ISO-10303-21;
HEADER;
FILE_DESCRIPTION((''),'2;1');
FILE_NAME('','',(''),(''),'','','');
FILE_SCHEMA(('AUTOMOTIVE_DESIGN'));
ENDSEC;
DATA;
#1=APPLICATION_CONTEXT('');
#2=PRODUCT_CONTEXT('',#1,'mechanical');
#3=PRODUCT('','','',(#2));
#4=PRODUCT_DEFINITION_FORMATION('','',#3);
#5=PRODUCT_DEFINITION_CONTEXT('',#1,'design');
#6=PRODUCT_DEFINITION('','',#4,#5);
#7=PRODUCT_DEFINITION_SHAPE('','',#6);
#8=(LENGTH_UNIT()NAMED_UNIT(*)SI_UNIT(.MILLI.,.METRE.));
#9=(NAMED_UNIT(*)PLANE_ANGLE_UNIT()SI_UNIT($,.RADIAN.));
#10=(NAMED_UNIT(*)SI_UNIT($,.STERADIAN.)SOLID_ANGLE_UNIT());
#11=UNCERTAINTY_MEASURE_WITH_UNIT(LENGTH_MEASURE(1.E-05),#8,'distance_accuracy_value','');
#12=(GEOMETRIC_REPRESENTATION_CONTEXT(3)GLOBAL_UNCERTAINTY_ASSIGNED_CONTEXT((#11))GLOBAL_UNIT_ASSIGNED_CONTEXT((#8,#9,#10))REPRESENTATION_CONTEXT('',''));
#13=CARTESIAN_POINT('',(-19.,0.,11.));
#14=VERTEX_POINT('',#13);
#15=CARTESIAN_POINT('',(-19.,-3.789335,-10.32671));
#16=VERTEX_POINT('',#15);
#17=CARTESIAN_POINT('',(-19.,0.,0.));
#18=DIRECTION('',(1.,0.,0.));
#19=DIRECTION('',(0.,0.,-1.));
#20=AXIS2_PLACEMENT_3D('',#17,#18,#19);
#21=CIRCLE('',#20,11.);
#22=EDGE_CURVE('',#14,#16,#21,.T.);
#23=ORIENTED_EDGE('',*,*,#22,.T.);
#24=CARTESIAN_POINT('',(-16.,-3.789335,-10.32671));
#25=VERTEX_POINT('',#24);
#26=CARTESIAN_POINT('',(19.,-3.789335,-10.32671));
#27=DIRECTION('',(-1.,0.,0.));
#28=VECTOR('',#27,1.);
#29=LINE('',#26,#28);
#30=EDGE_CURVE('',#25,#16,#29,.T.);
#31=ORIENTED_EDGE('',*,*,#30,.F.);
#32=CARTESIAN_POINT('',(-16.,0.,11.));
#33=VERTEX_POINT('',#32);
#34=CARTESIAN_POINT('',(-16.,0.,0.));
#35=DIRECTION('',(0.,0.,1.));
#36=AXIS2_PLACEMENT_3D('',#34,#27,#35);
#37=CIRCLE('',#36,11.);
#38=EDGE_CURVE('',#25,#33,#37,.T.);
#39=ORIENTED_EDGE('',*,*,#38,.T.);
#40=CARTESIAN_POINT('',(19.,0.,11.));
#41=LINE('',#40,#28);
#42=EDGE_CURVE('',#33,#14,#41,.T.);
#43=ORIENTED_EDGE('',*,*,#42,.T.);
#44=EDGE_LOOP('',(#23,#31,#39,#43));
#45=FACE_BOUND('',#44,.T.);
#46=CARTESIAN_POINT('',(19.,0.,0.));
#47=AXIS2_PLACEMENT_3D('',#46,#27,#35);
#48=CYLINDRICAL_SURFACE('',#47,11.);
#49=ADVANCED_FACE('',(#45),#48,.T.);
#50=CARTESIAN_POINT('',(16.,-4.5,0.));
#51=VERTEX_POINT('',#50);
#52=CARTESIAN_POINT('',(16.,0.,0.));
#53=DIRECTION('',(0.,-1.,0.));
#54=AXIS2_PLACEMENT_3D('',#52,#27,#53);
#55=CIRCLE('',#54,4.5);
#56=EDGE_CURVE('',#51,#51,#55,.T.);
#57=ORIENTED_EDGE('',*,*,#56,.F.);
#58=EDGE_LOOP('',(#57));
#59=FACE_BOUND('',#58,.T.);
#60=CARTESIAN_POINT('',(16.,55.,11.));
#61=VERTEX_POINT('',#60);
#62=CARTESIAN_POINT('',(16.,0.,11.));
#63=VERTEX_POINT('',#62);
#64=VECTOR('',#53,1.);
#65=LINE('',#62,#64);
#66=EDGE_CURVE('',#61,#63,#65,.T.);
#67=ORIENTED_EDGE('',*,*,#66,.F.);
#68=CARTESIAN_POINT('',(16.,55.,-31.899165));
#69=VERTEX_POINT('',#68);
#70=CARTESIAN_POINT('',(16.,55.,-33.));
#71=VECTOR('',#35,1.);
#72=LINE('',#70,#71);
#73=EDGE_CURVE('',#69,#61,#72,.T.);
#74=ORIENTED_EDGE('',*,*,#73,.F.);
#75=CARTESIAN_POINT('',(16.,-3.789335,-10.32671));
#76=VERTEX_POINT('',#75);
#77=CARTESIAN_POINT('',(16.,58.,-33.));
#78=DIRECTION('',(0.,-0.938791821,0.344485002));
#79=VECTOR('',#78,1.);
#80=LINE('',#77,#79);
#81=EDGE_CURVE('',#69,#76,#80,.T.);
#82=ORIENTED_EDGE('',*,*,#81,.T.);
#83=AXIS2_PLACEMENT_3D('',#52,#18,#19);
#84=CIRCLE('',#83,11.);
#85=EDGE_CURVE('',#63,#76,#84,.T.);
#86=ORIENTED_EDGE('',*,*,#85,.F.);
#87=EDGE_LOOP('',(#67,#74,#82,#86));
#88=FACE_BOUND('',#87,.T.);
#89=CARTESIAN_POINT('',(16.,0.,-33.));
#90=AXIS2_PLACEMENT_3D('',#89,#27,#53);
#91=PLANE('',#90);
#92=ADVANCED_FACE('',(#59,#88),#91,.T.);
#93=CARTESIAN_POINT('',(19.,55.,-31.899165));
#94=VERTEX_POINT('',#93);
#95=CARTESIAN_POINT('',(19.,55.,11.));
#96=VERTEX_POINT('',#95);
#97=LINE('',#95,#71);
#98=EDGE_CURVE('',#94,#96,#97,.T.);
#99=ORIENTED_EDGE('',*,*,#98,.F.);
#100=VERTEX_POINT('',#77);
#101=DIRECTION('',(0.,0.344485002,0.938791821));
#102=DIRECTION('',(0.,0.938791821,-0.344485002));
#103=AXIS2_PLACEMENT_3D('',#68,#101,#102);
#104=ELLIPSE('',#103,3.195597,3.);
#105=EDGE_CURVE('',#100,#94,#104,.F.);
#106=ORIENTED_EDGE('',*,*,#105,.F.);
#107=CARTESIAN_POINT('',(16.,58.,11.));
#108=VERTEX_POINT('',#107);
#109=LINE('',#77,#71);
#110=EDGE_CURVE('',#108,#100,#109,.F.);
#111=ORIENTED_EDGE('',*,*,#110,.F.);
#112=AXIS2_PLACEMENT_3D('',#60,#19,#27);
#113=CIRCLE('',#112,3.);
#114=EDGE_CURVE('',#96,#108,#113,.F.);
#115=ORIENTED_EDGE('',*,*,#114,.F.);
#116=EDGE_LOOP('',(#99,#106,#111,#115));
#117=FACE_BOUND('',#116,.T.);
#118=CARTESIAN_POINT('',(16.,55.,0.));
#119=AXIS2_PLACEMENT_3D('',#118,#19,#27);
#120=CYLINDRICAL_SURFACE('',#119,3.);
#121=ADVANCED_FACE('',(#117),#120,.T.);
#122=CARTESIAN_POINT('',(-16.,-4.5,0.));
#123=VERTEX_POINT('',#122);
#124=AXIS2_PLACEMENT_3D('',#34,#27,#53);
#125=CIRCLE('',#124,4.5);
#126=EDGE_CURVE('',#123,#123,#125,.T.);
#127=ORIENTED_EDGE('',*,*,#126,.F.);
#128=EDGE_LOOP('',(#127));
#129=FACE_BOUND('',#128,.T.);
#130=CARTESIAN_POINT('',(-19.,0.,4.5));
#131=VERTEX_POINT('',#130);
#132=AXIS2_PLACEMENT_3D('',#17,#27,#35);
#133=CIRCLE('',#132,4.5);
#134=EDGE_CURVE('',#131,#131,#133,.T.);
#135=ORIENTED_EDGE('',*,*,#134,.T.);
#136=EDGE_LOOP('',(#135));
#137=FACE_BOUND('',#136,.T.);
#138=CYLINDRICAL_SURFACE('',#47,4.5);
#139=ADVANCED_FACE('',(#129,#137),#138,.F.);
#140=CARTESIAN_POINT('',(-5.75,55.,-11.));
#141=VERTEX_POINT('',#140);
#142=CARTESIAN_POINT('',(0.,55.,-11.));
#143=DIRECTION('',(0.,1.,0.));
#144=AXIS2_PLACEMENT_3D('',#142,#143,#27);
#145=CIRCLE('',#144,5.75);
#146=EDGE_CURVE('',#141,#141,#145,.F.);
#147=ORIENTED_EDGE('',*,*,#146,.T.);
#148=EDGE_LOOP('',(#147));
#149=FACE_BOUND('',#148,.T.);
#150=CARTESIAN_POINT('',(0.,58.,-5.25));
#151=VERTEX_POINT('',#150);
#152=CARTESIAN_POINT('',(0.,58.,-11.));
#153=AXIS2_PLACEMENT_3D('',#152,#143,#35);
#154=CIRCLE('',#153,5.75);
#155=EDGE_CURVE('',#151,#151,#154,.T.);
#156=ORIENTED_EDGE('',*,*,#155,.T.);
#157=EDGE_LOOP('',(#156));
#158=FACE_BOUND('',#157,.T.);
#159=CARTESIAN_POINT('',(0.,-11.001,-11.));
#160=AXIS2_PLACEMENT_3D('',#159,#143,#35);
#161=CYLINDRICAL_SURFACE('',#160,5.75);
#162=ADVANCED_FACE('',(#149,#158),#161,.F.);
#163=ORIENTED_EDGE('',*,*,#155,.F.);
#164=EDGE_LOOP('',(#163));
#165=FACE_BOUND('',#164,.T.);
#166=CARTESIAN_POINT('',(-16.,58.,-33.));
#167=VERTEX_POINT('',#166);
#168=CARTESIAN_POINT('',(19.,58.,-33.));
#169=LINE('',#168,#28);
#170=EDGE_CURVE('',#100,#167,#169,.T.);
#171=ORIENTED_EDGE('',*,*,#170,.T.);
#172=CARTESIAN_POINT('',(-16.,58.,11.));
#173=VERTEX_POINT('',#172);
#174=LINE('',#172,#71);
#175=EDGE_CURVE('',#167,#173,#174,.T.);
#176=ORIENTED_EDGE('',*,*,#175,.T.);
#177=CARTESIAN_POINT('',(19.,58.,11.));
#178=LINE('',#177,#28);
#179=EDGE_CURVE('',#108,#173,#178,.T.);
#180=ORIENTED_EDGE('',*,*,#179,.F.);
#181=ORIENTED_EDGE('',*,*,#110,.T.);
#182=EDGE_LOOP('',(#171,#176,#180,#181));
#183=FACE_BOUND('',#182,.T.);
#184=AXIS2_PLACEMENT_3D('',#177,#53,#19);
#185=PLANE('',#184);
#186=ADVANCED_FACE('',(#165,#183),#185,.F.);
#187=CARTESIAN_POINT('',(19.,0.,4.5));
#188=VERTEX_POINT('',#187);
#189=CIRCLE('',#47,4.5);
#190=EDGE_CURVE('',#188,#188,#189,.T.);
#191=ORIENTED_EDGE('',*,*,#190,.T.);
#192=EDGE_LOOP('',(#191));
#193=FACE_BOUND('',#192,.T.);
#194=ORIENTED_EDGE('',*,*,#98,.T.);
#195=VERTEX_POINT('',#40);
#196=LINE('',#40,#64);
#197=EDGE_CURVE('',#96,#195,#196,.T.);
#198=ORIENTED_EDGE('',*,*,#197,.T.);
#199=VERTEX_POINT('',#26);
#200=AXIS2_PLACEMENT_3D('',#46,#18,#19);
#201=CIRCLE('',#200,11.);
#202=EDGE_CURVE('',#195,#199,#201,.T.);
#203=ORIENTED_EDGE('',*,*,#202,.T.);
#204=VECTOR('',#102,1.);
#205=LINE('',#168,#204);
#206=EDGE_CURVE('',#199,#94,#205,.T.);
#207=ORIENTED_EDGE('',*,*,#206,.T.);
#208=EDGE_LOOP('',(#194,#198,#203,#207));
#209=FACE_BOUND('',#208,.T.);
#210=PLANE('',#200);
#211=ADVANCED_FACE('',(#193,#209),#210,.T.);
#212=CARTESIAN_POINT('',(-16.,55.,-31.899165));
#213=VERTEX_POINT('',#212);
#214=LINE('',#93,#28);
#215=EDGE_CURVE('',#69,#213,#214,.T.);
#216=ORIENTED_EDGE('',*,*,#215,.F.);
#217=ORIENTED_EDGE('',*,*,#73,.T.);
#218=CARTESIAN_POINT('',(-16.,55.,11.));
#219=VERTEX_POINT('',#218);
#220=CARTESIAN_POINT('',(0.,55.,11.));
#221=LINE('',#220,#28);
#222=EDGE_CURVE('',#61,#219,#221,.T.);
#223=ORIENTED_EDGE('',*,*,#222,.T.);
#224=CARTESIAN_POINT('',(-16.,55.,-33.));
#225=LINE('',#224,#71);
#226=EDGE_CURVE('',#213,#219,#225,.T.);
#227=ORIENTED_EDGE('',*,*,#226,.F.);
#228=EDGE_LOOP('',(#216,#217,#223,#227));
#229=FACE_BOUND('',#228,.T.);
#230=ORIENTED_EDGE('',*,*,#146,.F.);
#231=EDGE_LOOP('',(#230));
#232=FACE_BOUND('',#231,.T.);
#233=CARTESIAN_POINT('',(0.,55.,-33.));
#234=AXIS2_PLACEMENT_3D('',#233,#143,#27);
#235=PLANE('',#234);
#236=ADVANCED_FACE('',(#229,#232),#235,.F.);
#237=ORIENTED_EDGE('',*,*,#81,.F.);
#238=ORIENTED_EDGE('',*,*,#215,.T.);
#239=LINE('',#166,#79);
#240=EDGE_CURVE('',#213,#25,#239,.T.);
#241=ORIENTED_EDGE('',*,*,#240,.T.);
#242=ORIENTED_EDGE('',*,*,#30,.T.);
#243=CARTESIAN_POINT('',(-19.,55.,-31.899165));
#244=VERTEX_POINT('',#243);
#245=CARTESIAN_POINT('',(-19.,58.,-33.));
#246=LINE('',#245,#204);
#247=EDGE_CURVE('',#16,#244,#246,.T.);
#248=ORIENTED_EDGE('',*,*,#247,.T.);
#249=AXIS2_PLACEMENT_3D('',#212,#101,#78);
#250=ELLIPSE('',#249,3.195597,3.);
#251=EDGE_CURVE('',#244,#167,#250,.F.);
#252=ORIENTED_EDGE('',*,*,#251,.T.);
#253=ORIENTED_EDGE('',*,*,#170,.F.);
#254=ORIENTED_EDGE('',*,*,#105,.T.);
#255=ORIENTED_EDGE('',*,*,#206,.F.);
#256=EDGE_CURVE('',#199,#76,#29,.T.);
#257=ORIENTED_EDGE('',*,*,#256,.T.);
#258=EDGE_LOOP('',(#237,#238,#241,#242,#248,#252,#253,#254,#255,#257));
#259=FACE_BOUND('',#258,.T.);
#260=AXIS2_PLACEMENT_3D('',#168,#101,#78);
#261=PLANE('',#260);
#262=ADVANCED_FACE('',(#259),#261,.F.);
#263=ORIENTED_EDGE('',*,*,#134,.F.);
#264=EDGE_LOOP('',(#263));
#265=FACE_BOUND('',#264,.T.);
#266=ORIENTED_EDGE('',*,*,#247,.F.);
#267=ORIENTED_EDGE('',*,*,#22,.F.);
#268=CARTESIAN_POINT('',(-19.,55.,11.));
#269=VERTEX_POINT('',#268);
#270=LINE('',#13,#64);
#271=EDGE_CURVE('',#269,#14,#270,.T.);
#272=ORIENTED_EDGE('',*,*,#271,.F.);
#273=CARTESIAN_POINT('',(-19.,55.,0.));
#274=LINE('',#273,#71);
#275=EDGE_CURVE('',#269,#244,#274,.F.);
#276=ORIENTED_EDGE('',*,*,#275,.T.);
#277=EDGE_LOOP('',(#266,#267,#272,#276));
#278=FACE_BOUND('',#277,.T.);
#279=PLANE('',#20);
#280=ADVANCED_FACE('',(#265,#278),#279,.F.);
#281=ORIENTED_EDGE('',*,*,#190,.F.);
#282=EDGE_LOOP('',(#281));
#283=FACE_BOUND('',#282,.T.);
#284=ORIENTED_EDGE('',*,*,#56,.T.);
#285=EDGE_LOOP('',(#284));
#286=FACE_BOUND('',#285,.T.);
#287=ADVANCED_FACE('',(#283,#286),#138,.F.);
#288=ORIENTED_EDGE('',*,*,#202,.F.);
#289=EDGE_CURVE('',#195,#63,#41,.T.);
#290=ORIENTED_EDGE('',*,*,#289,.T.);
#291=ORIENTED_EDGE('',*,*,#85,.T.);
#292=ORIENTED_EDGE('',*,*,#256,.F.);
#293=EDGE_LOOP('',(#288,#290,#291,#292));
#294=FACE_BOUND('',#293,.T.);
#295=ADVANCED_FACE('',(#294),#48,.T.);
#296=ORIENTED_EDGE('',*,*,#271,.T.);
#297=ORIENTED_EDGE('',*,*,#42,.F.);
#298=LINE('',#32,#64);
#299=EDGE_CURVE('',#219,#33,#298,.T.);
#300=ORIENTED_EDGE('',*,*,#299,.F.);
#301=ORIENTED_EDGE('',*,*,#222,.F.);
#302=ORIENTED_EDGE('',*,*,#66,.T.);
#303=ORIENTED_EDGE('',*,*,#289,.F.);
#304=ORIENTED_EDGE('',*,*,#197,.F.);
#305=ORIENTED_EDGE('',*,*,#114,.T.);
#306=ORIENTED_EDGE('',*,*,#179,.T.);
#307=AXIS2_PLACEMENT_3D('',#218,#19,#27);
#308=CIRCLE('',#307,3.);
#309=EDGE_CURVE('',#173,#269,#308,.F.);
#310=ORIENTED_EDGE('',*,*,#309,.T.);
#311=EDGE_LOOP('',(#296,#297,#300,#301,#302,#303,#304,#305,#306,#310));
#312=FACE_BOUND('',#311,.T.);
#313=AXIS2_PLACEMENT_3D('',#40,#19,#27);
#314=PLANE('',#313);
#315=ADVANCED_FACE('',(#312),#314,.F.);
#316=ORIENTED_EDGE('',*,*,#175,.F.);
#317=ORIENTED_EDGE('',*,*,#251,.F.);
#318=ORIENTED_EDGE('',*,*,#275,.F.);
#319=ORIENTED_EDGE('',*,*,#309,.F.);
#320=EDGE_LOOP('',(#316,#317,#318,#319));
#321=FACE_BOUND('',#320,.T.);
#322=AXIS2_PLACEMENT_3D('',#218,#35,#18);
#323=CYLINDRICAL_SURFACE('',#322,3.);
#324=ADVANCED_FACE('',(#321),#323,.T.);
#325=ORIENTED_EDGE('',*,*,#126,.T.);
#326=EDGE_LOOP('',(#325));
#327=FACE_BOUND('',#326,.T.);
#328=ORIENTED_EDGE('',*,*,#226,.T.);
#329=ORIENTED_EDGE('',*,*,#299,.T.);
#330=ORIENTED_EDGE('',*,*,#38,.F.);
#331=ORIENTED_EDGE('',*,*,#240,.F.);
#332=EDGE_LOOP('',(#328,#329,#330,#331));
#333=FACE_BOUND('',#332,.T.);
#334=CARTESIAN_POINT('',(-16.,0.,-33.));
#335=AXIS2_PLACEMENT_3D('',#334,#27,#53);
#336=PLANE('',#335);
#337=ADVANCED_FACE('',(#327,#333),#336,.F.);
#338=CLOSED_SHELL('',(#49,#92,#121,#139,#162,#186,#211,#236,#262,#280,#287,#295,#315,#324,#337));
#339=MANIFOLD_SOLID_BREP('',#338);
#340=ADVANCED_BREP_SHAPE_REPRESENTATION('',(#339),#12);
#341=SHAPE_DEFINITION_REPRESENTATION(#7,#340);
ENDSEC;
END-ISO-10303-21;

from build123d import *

# Parameters (mm, degrees)
BOSS_EXTRUDE1_DEPTH = 19
SKETCH2_W           = 32
SKETCH2_H           = 55
CUT_EXTRUDE1_DEPTH  = 45
SKETCH3_W           = 32
SKETCH3_H           = 22.717187721
CUT_EXTRUDE2_DEPTH  = 12
SKETCH4_R           = 4.5
CUT_EXTRUDE3_DEPTH  = 39
CUT_EXTRUDE4_REACH  = 71
SKETCH5_R           = 5.75
FILLET1_R           = 3


with BuildPart() as part:
    # Sketch1 → Boss-Extrude1 (new body, symmetric)
    with BuildSketch(Plane(origin=(0, 0, 0), x_dir=(0, 0, -1), z_dir=(1, 0, 0))):
        with BuildLine():
            Line((-11, 0), (-11, 58))
            Line((-11, 58), (33, 58))
            Line((33, 58), (10.326710033, -3.789335019))
            ThreePointArc((10.326710033, -3.789335019), (-1.924342697, -10.830369577), (-11, 0))
        make_face()
    extrude(amount=BOSS_EXTRUDE1_DEPTH, both=True)

    # Sketch2 → Cut-Extrude1 (cut, through all)
    with BuildSketch(Plane.XY.offset(11)):
        with Locations((0, 27.5)):
            Rectangle(SKETCH2_W, SKETCH2_H)
    extrude(amount=-CUT_EXTRUDE1_DEPTH, mode=Mode.SUBTRACT)

    # Sketch3 → Cut-Extrude2 (cut, through all)
    with BuildSketch(Plane(origin=(0, 0, 0), x_dir=(1, 0, 0), z_dir=(0, 1, 0))):
        with Locations((0, 0.358593861)):
            Rectangle(SKETCH3_W, SKETCH3_H)
    extrude(amount=-CUT_EXTRUDE2_DEPTH, mode=Mode.SUBTRACT)

    # Sketch4 → Cut-Extrude3 (cut, through all)
    with BuildSketch(Plane.ZY.offset(19)):
        Circle(SKETCH4_R)
    extrude(amount=-CUT_EXTRUDE3_DEPTH, mode=Mode.SUBTRACT)

    # Sketch5 → Cut-Extrude4 (cut, up to next)
    with BuildSketch(Plane(origin=(0, 58, 0), x_dir=(1, 0, 0), z_dir=(0, 1, 0)), mode=Mode.PRIVATE) as cut_extrude4_sk1:
        with Locations((0, 11)):
            Circle(SKETCH5_R)
    cut_extrude4_tool1 = extrude(cut_extrude4_sk1.sketch, amount=-CUT_EXTRUDE4_REACH, mode=Mode.PRIVATE) & part.part
    add(cut_extrude4_tool1.solids().sort_by_distance((0, 58, -11))[0], mode=Mode.SUBTRACT)

    # Fillet1
    fillet1_edges = [part.edges().sort_by_distance(p)[0] for p in [
        (19, 58, -11),
        (-19, 58, -11),
    ]]
    fillet(fillet1_edges, radius=FILLET1_R)


solid = part.part
